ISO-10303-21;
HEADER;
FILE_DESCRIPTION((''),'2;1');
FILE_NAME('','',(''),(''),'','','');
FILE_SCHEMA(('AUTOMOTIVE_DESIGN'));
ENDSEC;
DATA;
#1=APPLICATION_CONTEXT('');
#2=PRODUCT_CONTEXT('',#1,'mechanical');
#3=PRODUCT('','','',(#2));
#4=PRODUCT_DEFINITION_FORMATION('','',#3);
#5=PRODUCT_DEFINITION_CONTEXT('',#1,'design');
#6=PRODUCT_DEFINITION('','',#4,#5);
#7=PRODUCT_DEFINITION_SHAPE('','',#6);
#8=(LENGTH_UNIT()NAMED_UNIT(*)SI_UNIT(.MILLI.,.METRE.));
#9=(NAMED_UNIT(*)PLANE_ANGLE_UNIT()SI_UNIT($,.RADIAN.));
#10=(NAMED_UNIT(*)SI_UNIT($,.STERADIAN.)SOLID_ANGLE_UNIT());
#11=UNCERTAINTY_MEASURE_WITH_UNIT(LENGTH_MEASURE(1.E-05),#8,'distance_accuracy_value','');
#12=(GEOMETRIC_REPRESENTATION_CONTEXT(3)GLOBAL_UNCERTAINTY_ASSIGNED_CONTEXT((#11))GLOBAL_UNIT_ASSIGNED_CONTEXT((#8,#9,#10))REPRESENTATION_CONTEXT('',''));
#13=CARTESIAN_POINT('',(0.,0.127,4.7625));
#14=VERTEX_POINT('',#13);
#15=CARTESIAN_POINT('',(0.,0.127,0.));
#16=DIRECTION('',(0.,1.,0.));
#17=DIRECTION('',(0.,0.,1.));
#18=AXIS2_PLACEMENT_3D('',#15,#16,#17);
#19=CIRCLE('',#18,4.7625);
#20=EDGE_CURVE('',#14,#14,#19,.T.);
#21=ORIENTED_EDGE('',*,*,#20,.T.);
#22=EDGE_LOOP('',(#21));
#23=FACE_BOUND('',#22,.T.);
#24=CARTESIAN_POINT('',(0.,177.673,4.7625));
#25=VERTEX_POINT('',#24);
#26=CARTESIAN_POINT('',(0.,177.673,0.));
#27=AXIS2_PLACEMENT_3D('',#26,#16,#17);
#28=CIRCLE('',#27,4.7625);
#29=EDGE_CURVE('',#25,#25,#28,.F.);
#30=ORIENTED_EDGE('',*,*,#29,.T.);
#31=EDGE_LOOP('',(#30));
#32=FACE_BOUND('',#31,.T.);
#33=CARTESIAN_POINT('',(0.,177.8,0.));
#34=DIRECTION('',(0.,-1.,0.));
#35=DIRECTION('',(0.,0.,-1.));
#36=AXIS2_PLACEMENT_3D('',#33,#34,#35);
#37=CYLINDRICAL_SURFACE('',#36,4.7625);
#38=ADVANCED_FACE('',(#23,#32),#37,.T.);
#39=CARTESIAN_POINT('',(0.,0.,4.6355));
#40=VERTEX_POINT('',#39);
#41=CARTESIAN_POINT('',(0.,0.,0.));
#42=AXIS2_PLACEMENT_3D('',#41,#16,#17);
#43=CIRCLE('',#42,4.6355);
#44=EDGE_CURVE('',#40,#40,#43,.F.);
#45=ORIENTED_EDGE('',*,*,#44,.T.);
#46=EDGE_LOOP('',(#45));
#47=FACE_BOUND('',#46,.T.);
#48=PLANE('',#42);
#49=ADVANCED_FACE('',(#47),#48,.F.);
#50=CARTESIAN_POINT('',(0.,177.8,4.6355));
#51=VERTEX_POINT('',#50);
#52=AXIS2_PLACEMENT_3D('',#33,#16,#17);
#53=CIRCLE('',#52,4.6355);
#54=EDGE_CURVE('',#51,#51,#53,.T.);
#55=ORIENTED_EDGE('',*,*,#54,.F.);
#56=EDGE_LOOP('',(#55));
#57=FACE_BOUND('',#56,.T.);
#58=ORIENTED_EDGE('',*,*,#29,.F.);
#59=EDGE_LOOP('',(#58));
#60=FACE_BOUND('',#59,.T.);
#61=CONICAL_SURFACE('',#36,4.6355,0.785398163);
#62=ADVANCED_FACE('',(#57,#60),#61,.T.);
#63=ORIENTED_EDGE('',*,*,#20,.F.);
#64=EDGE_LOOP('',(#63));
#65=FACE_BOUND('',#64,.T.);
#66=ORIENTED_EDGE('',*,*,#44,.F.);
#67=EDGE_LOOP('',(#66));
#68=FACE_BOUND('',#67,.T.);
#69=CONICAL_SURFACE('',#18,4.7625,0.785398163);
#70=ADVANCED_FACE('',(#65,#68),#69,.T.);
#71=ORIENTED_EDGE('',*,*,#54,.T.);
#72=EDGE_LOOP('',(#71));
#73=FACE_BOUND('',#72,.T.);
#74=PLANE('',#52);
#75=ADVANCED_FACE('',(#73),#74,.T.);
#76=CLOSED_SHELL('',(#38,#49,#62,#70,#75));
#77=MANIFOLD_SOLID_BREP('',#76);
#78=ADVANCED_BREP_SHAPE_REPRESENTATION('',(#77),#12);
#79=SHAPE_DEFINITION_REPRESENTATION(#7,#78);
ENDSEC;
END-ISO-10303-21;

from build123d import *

# Parameters (mm, degrees)
SKETCH1_R           = 4.7625
BOSS_EXTRUDE1_DEPTH = 177.8
CHAMFER1_SIZE       = 0.127


with BuildPart() as part:
    # Sketch1 → Boss-Extrude1 (new body)
    with BuildSketch(Plane(origin=(0, 0, 0), x_dir=(1, 0, 0), z_dir=(0, 1, 0))):
        Circle(SKETCH1_R)
    extrude(amount=BOSS_EXTRUDE1_DEPTH)

    # Chamfer1
    chamfer1_edges = [part.edges().sort_by_distance(p)[0] for p in [
        (-4.7625, 0, 0),
        (-4.7625, 177.8, 0),
    ]]
    chamfer(chamfer1_edges, length=CHAMFER1_SIZE)


solid = part.part
